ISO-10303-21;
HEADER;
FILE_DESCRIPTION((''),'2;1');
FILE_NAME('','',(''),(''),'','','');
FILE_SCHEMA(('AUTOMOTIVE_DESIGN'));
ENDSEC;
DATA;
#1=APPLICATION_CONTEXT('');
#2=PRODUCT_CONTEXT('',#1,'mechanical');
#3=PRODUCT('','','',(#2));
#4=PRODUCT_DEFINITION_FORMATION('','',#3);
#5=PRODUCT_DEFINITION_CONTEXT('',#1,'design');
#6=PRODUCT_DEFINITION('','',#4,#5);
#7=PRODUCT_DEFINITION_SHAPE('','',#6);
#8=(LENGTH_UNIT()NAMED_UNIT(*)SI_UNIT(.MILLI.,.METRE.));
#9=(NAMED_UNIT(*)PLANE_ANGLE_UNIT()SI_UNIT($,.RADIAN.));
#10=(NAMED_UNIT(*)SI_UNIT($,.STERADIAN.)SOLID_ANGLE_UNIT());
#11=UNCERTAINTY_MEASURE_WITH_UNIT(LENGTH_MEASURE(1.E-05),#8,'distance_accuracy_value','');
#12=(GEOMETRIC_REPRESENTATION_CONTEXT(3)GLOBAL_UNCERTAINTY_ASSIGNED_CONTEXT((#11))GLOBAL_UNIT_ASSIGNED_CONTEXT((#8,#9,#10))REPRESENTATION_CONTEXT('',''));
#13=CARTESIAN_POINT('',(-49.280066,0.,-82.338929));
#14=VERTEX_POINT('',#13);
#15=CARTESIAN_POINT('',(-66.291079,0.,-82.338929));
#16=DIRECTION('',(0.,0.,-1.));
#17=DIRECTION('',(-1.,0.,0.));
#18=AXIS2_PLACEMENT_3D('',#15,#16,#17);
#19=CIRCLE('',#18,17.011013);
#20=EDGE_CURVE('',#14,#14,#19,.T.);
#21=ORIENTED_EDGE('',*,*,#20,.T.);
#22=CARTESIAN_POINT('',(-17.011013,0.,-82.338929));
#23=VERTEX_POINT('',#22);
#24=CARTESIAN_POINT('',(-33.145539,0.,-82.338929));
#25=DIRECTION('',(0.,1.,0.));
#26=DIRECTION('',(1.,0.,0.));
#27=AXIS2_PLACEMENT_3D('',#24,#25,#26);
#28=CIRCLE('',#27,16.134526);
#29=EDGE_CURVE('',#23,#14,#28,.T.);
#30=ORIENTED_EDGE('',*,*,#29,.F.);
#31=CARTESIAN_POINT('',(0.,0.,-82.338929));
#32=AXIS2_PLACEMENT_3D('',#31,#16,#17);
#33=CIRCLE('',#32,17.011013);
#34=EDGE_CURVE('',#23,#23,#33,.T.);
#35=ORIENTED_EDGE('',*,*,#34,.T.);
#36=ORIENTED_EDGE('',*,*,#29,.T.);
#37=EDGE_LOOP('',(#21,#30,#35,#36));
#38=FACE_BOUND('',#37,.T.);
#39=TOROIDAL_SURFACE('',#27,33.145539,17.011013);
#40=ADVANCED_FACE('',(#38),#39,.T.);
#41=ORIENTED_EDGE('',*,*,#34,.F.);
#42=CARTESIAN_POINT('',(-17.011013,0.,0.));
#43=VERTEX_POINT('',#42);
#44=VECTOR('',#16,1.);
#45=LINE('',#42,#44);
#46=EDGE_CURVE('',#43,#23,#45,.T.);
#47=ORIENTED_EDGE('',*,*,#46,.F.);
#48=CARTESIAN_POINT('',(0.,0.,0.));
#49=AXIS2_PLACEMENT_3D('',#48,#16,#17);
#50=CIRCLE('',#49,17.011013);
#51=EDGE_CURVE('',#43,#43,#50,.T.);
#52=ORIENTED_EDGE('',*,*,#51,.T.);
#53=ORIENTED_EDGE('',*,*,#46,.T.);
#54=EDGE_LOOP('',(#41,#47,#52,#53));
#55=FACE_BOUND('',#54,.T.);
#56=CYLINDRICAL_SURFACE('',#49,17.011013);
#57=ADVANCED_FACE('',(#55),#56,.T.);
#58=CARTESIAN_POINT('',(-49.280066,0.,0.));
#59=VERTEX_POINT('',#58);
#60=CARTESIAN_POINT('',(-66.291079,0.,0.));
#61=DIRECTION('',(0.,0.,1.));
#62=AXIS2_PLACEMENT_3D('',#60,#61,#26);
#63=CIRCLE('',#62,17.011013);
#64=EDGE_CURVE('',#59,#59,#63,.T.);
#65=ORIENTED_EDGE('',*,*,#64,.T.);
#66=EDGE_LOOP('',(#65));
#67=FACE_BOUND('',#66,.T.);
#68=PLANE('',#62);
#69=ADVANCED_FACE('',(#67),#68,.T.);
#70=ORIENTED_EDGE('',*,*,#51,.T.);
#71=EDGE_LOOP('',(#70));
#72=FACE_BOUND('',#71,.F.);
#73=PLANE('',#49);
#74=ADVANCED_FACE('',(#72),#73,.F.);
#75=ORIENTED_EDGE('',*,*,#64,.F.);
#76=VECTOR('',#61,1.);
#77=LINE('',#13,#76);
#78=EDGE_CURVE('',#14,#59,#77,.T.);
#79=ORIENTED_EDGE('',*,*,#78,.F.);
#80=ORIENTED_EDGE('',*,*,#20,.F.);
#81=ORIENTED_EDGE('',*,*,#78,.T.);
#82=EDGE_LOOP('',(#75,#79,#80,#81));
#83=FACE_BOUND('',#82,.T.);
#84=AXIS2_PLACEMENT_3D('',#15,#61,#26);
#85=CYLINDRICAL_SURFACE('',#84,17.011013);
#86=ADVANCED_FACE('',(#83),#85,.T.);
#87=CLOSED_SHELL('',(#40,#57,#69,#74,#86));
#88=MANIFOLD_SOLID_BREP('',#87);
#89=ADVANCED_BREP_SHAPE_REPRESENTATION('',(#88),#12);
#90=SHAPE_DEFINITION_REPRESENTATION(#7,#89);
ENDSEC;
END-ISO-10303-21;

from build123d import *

# Parameters (mm, degrees)
F2_R = 17.0110130189


with BuildPart() as f3:
    # F3: sweep along a path in F0
    with BuildLine(Plane.XZ) as f3_path:
        Line((0, 0), (0, -82.3389291763))
        ThreePointArc((0, -82.3389291763), (-33.1455394626, -115.4844686389), (-66.2910789251, -82.3389291763))
        Line((-66.2910789251, -82.3389291763), (-66.2910789251, 0))
    # F2 (on line) → F3 (sweep)
    with BuildSketch(Plane.XY):
        with Locations((-66.2910789251, 0)):
            Circle(F2_R)
    sweep(path=f3_path.line)


solid = f3.part
